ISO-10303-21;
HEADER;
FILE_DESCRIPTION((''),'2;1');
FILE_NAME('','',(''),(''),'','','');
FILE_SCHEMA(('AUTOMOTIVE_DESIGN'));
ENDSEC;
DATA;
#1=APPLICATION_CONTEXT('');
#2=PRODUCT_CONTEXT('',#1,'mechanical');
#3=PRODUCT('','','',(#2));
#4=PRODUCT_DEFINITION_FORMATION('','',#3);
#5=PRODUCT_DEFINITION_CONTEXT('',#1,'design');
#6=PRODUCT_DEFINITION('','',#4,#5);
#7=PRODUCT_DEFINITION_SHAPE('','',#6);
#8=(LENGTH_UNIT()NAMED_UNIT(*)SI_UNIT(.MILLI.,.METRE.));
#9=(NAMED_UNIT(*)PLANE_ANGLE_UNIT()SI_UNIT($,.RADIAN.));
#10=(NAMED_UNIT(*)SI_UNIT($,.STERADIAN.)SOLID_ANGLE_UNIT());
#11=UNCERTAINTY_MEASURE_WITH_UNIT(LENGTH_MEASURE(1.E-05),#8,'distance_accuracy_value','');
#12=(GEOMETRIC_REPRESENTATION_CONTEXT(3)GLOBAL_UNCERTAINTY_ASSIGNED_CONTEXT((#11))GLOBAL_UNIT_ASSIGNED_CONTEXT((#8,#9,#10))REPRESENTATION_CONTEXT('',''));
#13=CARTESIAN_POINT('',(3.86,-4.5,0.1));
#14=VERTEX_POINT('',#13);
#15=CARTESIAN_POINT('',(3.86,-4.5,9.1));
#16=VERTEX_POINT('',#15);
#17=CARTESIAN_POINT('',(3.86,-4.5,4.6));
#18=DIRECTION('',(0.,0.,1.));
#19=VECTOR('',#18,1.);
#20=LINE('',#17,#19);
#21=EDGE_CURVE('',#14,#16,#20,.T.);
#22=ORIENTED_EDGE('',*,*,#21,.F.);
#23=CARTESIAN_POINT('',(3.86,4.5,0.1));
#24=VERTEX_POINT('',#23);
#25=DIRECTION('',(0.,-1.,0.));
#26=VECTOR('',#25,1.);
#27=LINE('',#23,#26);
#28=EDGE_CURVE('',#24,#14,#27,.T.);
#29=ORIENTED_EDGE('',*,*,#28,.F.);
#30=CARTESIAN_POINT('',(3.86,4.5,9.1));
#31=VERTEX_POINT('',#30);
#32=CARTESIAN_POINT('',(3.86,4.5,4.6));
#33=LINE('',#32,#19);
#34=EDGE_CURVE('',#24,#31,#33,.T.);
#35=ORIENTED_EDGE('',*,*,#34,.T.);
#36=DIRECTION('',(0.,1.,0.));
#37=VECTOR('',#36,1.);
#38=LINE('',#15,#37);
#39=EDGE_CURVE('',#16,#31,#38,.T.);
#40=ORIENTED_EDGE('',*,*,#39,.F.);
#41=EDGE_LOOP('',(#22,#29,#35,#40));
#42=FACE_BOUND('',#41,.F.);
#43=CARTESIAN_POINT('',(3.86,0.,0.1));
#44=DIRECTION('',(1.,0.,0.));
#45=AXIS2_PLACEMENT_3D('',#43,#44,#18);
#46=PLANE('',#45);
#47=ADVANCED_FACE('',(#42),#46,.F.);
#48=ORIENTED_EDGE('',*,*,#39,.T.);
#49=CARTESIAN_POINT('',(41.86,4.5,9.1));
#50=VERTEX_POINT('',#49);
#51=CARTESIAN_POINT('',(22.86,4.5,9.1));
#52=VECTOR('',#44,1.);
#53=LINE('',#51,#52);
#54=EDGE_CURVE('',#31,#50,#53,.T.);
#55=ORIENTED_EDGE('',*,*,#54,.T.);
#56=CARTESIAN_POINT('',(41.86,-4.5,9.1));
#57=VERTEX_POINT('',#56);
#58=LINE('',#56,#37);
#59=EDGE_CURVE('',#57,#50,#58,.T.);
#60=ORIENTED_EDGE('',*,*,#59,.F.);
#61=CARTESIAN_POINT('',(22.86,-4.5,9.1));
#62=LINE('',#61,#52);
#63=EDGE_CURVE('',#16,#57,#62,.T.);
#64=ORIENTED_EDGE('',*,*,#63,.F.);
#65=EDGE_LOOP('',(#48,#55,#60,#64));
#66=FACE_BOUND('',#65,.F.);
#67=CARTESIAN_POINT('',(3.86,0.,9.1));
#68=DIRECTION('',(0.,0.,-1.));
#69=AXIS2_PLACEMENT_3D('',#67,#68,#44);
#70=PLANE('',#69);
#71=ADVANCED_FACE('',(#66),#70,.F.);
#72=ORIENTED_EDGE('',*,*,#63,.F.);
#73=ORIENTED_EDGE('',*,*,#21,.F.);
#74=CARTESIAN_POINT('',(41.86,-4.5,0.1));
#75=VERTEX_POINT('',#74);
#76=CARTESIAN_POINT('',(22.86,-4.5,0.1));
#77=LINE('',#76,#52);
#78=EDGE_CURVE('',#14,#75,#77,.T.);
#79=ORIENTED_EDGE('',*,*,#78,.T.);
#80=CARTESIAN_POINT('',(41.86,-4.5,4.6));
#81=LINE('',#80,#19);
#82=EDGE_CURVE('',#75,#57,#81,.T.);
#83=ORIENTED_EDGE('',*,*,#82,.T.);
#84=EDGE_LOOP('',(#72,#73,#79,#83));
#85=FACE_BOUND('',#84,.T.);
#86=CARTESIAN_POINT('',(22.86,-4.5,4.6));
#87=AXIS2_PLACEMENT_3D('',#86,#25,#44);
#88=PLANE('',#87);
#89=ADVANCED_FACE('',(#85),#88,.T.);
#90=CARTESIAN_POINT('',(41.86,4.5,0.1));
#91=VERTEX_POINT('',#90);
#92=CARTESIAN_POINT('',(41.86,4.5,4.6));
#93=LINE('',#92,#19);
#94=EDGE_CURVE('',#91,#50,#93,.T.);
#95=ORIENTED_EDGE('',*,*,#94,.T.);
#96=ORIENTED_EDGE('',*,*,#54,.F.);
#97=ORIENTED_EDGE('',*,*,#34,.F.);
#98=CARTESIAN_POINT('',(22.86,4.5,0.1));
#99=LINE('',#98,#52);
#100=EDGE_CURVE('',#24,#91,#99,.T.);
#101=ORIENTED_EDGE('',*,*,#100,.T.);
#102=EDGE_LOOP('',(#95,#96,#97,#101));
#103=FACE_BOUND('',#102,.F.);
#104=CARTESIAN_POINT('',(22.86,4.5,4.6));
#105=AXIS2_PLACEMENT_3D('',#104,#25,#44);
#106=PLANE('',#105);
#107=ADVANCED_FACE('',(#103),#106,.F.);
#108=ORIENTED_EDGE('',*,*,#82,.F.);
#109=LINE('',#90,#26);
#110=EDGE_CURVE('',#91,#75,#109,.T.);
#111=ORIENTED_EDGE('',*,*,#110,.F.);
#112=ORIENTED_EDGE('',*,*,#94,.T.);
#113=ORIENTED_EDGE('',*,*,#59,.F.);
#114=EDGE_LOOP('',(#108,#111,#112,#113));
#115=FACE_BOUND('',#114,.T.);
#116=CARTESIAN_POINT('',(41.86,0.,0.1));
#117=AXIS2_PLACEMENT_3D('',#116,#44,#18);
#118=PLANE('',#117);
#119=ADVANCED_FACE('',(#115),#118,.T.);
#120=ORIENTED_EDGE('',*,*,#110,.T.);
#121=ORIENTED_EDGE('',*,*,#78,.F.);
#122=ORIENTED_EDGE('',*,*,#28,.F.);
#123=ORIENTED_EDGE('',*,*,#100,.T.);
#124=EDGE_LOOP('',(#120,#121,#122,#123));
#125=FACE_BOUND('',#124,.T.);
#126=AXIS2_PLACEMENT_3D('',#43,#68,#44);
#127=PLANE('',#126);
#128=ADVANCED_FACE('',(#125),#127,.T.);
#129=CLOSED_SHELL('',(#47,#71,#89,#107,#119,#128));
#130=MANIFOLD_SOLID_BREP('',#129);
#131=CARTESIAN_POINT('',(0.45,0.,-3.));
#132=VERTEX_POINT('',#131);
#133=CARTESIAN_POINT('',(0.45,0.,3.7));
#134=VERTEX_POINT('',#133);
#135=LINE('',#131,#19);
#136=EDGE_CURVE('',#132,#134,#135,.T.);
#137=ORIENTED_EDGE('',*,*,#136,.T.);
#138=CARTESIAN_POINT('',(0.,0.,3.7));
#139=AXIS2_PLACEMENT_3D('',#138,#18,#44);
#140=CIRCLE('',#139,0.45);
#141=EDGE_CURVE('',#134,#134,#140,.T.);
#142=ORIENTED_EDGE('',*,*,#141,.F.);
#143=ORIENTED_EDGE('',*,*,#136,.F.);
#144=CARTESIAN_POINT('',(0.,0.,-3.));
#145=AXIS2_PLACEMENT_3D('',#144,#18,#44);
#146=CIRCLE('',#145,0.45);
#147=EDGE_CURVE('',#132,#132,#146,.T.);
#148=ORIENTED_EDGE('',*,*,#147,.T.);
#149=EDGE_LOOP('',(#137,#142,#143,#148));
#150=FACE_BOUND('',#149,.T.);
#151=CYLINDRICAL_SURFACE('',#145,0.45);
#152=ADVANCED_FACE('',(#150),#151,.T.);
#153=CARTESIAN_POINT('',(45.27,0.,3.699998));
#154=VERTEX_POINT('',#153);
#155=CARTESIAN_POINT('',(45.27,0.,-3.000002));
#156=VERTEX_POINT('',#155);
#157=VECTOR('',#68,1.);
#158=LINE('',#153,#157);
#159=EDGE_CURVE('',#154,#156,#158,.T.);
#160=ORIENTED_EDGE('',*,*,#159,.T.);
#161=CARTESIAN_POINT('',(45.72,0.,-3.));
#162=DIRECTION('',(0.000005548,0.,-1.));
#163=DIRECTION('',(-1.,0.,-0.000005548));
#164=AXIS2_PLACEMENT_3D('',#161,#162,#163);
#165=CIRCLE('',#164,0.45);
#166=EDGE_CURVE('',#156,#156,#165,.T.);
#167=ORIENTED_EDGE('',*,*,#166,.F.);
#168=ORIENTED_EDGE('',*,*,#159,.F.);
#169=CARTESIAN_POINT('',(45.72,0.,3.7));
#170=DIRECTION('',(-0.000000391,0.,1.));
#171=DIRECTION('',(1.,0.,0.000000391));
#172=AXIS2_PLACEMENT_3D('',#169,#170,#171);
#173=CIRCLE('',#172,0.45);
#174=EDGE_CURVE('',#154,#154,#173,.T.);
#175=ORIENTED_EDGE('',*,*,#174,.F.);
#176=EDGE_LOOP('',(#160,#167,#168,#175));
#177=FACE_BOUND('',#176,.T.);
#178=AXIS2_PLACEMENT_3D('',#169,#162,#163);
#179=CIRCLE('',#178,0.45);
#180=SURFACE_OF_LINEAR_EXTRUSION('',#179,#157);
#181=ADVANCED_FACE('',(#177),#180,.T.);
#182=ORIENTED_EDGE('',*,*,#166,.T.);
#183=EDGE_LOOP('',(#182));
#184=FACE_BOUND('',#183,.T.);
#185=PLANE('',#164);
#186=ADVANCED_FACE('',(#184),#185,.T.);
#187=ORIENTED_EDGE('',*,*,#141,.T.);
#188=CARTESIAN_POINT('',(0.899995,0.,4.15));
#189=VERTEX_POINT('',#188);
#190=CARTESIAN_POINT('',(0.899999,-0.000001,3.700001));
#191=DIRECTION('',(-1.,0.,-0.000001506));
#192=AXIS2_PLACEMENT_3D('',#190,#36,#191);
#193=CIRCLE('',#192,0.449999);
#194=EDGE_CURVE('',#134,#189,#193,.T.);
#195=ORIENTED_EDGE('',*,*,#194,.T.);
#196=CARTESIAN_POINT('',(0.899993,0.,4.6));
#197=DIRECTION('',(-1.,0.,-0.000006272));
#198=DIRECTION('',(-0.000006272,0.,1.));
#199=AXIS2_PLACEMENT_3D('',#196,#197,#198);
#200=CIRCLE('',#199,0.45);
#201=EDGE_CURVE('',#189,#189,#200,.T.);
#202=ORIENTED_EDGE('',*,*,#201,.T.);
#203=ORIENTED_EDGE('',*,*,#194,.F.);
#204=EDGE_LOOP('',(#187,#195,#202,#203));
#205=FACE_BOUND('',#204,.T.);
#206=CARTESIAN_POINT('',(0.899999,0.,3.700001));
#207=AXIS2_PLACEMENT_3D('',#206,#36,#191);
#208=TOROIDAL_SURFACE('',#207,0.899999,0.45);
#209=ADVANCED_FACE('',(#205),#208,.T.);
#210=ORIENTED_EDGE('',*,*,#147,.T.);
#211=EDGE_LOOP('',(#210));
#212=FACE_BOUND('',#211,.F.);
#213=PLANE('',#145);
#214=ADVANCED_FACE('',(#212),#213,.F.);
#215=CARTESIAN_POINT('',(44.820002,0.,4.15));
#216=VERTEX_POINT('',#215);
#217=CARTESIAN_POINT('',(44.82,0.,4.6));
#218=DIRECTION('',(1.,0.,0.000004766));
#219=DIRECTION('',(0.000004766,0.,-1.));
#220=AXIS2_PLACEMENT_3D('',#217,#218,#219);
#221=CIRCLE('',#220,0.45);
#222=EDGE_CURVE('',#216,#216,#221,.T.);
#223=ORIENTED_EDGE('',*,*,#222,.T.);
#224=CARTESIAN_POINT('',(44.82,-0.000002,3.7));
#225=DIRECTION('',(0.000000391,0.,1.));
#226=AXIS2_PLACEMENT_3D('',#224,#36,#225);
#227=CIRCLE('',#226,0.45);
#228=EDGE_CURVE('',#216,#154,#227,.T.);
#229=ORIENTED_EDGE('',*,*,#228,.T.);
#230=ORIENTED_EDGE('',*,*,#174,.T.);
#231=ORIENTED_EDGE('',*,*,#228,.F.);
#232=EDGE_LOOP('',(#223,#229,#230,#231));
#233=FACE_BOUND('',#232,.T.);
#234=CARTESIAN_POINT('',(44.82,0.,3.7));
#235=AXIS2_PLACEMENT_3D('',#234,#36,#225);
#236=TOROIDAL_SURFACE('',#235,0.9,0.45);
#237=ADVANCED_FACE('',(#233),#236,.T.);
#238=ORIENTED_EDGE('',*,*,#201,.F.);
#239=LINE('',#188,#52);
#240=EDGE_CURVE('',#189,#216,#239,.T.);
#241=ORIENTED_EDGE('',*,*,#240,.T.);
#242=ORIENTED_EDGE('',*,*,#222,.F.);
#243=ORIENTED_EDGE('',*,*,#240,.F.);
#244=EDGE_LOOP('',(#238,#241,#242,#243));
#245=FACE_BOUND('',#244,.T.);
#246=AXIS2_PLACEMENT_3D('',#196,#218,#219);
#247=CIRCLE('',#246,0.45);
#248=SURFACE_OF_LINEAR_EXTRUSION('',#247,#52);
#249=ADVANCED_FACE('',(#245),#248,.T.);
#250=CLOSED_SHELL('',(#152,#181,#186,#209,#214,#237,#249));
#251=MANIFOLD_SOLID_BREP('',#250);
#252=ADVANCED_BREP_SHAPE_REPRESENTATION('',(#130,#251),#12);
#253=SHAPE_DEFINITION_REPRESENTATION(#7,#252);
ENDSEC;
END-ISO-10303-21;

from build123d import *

# Parameters (mm, degrees)
SKETCH_R    = 0.45
SKETCH002_W = 38
SKETCH002_H = 9
PAD_DEPTH   = 4.5


with BuildPart() as sweep_body:
    # Sweep: sweep along a path in Sketch001
    with BuildLine(Plane.XZ) as sweep_path:
        Line((0, -3), (0, 3.7))
        ThreePointArc((0, 3.7), (0.263601, 4.336394), (0.899993, 4.6))
        Line((0.899993, 4.6), (44.82, 4.6))
        ThreePointArc((44.82, 4.6), (45.456396, 4.336396), (45.72, 3.7))
        Line((45.72, 3.7), (45.72, -3))
    # Sketch → Sweep (sweep)
    with BuildSketch(Plane.XY.offset(-2)):
        Circle(SKETCH_R)
    sweep(path=sweep_path.line)


with BuildPart() as pad:
    # Sketch002 → Pad (new body, symmetric)
    with BuildSketch(Plane.XZ):
        with Locations((22.86, 4.6)):
            Rectangle(SKETCH002_W, SKETCH002_H)
    extrude(amount=PAD_DEPTH, both=True)


solid = Compound([sweep_body.part, pad.part])
